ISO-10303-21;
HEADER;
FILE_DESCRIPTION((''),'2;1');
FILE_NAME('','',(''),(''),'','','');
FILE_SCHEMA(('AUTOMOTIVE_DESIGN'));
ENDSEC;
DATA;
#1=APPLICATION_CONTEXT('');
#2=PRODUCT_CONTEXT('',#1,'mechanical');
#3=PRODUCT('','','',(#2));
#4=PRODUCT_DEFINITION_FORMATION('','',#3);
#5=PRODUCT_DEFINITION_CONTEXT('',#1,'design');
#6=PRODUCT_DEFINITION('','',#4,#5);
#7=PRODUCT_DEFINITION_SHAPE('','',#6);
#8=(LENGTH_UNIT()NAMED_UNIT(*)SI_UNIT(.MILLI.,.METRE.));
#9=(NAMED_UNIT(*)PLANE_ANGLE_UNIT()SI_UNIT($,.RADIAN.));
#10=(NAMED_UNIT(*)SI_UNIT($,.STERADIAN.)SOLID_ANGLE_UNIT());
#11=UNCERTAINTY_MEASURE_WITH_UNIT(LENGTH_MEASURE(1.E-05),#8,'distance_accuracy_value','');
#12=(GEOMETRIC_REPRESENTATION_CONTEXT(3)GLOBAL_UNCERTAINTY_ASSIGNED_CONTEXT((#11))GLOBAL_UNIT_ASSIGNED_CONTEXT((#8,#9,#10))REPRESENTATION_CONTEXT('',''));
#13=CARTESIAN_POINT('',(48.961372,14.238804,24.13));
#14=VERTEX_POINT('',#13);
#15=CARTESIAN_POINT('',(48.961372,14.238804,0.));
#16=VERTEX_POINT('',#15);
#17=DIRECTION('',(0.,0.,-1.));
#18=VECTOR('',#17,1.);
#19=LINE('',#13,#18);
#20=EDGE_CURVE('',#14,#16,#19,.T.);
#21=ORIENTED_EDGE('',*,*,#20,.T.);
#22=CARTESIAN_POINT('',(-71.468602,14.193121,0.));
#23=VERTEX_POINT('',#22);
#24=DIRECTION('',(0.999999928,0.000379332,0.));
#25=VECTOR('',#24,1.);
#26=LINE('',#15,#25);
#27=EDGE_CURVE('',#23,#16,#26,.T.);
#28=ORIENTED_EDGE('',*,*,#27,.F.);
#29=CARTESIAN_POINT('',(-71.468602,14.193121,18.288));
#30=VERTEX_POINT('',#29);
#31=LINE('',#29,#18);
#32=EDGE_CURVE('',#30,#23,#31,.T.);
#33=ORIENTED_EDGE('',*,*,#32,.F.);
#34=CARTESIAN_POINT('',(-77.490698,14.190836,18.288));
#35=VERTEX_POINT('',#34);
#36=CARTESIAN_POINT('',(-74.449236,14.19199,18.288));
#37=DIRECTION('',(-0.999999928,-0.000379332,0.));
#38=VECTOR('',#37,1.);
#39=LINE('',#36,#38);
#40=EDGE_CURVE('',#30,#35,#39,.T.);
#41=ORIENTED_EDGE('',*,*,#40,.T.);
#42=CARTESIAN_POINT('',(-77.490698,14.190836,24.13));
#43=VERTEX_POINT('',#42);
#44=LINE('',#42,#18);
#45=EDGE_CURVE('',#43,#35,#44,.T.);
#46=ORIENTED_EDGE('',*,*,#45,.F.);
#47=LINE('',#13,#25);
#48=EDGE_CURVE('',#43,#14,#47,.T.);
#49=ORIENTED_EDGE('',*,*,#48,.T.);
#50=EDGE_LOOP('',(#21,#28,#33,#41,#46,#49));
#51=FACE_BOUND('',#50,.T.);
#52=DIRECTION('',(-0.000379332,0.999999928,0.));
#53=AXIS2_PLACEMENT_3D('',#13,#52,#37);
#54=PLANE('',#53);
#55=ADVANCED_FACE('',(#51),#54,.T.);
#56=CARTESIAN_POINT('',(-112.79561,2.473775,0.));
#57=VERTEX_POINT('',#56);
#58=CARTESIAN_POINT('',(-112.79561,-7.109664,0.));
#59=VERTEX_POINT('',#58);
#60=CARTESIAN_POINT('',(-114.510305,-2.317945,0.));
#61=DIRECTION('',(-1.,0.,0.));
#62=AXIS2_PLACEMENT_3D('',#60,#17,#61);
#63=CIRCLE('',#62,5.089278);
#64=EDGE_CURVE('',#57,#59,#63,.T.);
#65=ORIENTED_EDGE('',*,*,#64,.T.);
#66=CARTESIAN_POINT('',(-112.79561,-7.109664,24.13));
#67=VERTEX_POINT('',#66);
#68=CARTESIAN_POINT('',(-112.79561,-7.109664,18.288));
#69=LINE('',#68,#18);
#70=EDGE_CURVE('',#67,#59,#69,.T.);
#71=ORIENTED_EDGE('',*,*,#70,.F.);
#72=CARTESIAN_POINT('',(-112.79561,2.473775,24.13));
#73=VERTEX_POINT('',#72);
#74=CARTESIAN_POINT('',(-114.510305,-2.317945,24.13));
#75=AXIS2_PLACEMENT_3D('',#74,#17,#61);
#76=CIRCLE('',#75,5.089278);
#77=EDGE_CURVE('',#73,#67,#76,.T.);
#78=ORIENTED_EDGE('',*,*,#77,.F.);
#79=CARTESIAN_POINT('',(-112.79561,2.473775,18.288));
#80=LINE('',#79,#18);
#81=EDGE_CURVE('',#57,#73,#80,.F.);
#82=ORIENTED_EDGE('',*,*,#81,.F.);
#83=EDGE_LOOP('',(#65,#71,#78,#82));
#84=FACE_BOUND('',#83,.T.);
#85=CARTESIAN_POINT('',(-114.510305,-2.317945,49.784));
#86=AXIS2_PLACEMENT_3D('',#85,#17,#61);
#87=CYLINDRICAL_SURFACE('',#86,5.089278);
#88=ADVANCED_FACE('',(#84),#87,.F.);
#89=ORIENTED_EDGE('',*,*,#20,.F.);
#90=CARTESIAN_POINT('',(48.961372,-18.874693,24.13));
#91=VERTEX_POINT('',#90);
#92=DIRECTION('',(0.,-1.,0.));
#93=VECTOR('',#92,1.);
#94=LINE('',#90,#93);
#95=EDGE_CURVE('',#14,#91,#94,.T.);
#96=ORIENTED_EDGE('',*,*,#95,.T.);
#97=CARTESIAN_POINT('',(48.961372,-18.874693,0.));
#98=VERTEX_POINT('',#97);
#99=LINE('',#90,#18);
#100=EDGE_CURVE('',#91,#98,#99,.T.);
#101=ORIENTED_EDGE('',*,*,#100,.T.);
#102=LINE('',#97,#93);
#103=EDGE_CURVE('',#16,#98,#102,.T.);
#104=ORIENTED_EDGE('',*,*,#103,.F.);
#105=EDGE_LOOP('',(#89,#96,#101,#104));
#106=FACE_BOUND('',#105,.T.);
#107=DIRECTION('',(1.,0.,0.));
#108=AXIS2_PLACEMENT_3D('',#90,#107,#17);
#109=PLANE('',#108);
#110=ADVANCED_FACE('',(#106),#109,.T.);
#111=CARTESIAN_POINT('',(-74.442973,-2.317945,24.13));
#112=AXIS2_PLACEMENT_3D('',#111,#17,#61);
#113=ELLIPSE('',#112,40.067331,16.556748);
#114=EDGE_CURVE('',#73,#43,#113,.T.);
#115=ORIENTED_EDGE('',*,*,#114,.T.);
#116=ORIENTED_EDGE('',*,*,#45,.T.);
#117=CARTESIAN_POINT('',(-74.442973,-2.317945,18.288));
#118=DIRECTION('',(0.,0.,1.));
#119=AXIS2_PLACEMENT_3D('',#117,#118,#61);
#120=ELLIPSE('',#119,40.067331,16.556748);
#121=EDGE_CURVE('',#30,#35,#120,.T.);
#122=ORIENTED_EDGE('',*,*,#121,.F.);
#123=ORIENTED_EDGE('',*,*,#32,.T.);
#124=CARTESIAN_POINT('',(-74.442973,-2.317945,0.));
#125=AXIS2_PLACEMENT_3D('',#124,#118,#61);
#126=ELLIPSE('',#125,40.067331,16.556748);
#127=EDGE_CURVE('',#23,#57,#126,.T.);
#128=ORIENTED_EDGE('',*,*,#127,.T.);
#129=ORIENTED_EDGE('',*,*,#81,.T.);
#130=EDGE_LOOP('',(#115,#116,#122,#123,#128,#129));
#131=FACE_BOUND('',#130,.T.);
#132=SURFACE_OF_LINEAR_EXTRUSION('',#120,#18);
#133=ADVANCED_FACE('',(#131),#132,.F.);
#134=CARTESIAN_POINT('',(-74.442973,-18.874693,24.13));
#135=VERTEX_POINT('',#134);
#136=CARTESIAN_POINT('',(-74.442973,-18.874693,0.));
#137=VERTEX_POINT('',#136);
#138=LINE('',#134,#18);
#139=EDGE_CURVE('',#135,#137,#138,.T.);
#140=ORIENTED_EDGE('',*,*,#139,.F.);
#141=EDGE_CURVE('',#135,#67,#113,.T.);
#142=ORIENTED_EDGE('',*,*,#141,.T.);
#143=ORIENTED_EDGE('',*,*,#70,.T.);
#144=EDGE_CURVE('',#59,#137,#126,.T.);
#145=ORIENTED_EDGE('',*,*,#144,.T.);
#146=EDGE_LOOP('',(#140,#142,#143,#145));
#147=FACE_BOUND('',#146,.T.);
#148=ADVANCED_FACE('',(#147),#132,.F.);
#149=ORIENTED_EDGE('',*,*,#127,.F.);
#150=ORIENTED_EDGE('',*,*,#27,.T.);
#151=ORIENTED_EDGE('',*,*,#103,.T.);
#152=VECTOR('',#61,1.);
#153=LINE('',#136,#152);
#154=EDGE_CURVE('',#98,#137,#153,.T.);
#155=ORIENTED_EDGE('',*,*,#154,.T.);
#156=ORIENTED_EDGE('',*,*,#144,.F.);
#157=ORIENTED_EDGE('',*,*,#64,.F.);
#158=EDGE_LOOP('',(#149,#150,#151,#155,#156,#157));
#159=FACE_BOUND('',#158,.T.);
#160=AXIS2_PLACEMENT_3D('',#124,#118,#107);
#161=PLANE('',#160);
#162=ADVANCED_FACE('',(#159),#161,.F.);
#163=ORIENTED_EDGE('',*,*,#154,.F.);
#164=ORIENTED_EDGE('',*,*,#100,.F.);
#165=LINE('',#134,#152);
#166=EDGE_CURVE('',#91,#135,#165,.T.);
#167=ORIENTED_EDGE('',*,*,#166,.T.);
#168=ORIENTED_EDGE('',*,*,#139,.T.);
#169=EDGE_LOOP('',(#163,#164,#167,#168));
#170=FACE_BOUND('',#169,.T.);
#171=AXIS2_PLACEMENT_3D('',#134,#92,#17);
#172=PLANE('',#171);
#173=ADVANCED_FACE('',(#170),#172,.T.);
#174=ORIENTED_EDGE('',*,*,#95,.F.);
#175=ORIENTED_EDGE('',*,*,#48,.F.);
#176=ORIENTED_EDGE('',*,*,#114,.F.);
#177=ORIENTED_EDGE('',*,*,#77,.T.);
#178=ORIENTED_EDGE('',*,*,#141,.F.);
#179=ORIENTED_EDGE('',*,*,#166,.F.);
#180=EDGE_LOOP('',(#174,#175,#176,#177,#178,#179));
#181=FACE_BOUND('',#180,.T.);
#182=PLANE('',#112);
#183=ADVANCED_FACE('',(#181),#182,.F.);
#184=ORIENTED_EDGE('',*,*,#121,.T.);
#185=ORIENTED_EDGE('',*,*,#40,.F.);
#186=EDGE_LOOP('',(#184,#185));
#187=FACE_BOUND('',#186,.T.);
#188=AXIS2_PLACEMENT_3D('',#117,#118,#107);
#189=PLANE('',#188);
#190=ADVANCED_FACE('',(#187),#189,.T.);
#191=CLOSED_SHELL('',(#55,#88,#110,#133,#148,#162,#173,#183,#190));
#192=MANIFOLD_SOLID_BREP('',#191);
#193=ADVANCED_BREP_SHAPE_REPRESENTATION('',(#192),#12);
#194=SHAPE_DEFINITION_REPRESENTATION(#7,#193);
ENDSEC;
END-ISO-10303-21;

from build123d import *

# Parameters (mm, degrees)
SKETCH1_RX          = 40.067331288
SKETCH1_RY          = 16.556748466
BOSS_EXTRUDE1_DEPTH = 18.288
BOSS_EXTRUDE2_DEPTH = 24.13
SKETCH4_R           = 5.089278313
CUT_EXTRUDE1_DEPTH  = 49.784


with BuildPart() as part:
    # Sketch1 → Boss-Extrude1 (new body)
    with BuildSketch(Plane.XY):
        with Locations(Location((-74.44297323, -2.317944785), (0, 0, 180))):
            Ellipse(SKETCH1_RX, SKETCH1_RY)
    extrude(amount=BOSS_EXTRUDE1_DEPTH)

    # Sketch3 → Boss-Extrude2 (add)
    with BuildSketch(Plane(origin=(0, 0, 0), x_dir=(-1, 0, 0), z_dir=(0, 0, -1))):
        with BuildLine():
            Line((74.44297323, -18.874693252), (-48.961371747, -18.874693252))
            Line((-48.961371747, -18.874693252), (-48.961371747, 14.238803681))
            Line((-48.961371747, 14.238803681), (77.490698265, 14.190836373))
            add(Edge.make_bspline(
                [(74.44297323, -18.874693252), (113.013283161, -18.874693252), (114.48127378, -2.948096616), (115.949264398, 12.978500019), (77.490698265, 14.190836373)],
                knots=[4.71238898, 4.71238898, 4.71238898, 6.245115993, 6.245115993, 7.777843005, 7.777843005, 7.777843005], degree=2, weights=[1, 0.720437409, 1, 0.720437409, 1]))
        make_face()
    extrude(amount=-BOSS_EXTRUDE2_DEPTH)

    # Sketch4 → Cut-Extrude1 (cut)
    with BuildSketch(Plane(origin=(0, 0, 0), x_dir=(-1, 0, 0), z_dir=(0, 0, -1))):
        with Locations((114.510304518, -2.317944785)):
            Circle(SKETCH4_R)
    extrude(amount=-CUT_EXTRUDE1_DEPTH, mode=Mode.SUBTRACT)


solid = part.part
